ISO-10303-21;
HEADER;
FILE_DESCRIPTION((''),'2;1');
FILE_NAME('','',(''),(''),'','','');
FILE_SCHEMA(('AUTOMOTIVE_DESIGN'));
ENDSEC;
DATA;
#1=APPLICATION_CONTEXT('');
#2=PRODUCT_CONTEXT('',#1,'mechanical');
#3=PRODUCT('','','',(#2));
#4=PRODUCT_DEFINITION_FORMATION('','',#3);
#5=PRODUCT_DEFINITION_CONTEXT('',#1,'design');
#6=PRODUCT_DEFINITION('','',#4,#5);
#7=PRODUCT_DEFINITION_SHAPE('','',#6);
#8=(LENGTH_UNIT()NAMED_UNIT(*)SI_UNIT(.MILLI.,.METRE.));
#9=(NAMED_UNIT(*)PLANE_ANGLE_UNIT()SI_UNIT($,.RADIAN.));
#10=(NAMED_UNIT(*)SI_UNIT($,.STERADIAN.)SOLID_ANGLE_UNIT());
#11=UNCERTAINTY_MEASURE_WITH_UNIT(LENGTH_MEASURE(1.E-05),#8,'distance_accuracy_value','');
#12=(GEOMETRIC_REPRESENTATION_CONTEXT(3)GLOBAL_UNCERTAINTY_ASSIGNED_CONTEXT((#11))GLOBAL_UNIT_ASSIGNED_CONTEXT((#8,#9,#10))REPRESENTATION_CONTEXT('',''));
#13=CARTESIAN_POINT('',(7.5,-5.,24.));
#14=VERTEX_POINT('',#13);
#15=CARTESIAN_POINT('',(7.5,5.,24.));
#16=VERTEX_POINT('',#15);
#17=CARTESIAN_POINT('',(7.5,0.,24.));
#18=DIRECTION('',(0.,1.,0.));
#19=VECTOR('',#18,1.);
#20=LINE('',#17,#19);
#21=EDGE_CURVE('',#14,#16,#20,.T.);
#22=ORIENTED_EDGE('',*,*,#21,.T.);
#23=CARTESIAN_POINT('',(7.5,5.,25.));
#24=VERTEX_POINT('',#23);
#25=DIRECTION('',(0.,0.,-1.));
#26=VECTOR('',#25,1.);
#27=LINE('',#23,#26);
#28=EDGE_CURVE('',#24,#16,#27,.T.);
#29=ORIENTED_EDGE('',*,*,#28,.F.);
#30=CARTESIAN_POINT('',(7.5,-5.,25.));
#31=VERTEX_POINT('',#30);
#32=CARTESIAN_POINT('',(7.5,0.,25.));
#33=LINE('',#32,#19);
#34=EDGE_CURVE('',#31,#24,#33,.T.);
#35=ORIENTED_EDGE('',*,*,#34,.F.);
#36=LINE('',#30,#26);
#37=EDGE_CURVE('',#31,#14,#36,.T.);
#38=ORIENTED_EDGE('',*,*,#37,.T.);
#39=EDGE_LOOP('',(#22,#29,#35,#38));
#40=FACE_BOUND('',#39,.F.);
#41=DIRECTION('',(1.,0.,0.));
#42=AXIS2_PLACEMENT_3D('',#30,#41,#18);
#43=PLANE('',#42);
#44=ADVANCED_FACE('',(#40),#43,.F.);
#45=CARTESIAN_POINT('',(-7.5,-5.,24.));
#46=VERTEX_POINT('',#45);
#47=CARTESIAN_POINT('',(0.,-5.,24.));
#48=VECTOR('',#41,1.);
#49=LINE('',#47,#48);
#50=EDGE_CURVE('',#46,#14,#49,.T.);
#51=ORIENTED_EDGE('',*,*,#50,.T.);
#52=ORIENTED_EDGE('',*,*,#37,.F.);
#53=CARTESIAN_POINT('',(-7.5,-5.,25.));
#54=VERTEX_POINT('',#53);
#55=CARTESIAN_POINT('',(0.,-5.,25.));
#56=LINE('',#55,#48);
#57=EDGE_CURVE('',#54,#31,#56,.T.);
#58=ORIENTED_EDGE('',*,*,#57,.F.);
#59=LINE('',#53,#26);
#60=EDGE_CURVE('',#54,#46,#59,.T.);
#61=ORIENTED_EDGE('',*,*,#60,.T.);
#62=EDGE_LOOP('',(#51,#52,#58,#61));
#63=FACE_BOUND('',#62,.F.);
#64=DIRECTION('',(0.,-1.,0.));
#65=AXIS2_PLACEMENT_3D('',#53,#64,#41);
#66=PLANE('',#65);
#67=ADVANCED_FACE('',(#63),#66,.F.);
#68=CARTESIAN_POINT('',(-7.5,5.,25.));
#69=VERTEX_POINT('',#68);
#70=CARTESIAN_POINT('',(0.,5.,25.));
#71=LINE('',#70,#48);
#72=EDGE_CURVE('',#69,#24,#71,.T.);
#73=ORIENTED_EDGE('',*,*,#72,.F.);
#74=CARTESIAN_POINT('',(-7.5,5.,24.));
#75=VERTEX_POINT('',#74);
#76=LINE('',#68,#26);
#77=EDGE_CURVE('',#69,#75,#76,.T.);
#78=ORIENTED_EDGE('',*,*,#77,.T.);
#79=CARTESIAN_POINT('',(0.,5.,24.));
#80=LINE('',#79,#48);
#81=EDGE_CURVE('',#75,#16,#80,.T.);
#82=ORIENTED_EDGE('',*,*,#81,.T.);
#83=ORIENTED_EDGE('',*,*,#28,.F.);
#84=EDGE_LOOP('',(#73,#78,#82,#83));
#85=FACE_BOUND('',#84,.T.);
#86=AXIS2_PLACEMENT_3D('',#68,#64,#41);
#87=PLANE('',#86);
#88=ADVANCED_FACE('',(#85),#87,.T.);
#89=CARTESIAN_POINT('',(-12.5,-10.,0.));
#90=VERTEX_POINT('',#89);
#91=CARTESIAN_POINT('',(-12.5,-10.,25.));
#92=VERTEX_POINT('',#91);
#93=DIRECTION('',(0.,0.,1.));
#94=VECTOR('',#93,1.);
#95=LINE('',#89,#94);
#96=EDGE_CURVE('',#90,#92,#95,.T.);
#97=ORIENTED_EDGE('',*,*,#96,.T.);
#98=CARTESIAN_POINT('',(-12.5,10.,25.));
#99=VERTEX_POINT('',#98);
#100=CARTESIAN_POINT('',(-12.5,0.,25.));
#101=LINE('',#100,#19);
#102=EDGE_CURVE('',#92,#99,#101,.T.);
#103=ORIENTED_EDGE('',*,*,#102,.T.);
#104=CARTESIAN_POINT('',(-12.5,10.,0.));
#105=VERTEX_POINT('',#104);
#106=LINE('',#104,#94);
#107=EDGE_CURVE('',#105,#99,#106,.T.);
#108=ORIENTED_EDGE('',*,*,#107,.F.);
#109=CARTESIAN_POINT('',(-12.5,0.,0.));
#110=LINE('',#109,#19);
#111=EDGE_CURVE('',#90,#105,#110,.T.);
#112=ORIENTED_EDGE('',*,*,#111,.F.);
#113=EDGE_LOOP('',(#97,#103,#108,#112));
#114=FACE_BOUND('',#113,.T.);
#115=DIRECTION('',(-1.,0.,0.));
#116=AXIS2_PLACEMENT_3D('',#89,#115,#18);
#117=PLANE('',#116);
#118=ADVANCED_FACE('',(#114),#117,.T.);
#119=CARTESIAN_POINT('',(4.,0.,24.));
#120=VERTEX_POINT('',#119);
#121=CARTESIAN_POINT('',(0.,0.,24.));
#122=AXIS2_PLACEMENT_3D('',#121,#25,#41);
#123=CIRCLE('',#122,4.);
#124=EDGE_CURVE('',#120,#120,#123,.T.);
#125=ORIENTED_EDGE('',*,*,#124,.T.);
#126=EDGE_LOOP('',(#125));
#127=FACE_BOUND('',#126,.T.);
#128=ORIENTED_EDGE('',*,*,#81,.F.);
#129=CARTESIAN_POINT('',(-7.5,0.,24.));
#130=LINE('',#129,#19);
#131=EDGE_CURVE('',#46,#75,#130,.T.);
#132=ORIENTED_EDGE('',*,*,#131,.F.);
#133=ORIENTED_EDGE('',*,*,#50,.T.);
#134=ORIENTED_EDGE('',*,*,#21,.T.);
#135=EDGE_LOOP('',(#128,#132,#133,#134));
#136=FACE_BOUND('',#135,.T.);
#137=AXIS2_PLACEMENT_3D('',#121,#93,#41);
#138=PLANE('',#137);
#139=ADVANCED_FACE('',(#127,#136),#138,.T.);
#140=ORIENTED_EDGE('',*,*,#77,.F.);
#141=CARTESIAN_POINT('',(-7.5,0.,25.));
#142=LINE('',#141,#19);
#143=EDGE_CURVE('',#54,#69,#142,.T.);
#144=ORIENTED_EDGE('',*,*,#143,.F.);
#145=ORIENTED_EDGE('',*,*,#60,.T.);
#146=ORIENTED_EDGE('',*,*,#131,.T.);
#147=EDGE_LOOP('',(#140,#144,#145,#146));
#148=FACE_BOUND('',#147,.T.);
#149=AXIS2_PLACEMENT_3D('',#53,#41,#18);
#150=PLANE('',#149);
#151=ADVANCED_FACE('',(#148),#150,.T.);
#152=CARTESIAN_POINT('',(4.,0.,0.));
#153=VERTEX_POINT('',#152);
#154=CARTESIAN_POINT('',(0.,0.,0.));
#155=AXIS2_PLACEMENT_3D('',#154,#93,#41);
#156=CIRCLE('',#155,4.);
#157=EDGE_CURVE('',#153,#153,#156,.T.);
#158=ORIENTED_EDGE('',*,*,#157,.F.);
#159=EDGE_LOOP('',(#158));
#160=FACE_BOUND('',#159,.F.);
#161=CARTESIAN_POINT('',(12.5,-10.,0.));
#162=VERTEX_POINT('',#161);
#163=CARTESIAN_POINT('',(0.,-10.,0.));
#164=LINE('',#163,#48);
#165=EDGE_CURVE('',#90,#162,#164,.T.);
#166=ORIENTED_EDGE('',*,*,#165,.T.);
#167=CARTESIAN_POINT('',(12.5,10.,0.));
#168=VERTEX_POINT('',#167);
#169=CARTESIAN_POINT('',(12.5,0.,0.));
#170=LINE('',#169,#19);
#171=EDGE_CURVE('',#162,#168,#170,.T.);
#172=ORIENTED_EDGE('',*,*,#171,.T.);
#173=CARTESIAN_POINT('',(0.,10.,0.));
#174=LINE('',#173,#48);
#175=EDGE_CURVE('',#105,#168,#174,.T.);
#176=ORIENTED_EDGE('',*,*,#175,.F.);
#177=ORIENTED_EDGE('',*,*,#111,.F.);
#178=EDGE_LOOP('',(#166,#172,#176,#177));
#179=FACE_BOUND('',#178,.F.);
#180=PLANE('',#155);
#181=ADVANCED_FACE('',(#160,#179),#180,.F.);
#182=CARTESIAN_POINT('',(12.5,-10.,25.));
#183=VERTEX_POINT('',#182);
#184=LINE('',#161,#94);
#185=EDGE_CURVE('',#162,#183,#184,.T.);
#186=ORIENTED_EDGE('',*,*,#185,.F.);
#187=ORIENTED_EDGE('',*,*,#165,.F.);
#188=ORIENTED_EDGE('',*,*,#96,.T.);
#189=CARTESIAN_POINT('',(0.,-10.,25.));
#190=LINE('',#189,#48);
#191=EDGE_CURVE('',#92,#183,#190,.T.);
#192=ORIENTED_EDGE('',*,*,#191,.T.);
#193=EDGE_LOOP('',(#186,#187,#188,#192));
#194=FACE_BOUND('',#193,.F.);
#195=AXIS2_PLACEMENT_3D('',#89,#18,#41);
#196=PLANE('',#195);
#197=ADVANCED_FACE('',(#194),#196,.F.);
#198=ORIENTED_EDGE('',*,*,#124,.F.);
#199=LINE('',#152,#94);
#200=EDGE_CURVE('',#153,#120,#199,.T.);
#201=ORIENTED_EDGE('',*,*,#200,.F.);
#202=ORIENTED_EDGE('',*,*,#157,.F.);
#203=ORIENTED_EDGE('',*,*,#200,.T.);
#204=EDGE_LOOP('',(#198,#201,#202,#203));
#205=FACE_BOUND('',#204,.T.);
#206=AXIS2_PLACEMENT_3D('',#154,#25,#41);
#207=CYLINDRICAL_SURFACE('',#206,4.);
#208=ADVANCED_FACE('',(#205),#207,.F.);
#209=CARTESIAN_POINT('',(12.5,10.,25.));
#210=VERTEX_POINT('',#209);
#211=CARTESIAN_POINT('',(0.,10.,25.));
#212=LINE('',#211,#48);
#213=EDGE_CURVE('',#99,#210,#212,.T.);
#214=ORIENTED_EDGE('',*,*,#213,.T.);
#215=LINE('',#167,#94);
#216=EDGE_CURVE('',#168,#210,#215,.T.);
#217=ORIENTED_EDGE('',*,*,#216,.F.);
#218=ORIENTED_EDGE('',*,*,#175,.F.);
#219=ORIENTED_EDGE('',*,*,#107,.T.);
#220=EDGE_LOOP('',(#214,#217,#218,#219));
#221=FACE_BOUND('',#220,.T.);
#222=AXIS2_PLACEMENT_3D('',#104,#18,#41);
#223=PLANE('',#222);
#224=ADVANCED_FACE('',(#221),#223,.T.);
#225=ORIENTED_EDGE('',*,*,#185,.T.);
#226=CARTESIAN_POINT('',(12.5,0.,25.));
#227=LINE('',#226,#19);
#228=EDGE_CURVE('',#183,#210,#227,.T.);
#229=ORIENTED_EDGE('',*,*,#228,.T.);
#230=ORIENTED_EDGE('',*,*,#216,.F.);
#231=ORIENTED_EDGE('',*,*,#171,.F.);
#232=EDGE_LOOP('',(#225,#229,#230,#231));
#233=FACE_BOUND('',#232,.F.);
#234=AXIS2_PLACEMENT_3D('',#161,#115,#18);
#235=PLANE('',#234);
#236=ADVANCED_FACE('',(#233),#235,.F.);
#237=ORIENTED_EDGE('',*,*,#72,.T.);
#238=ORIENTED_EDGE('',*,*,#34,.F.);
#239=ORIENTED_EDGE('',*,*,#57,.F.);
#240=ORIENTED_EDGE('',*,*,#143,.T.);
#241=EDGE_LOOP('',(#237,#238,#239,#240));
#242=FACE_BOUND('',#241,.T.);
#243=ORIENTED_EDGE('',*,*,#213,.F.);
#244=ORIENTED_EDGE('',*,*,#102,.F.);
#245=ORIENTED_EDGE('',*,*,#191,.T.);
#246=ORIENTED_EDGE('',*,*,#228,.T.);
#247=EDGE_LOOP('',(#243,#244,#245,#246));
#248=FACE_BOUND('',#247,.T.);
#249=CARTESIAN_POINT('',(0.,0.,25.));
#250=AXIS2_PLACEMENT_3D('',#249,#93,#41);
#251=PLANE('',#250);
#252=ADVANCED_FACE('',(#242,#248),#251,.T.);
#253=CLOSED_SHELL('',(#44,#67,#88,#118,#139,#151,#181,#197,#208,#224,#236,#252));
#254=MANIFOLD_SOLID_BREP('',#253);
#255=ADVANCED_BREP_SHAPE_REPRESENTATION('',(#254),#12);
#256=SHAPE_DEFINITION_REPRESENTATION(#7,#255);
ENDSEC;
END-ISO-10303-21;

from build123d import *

# Parameters (mm, degrees)
F0_W     = 25
F0_H     = 20
F0_R     = 4
F1_DEPTH = 25
F2_W     = 15
F2_H     = 10
F3_DEPTH = 1


with BuildPart() as f1:
    # F0 (on Top) → F1 (new body)
    with BuildSketch(Plane.XY):
        Rectangle(F0_W, F0_H)
        Circle(F0_R, mode=Mode.SUBTRACT)
    extrude(amount=F1_DEPTH)

    # F2 (on face) → F3 (cut)
    with BuildSketch(Plane.XY.offset(25)):
        Rectangle(F2_W, F2_H)
    extrude(amount=-F3_DEPTH, mode=Mode.SUBTRACT)


solid = f1.part
